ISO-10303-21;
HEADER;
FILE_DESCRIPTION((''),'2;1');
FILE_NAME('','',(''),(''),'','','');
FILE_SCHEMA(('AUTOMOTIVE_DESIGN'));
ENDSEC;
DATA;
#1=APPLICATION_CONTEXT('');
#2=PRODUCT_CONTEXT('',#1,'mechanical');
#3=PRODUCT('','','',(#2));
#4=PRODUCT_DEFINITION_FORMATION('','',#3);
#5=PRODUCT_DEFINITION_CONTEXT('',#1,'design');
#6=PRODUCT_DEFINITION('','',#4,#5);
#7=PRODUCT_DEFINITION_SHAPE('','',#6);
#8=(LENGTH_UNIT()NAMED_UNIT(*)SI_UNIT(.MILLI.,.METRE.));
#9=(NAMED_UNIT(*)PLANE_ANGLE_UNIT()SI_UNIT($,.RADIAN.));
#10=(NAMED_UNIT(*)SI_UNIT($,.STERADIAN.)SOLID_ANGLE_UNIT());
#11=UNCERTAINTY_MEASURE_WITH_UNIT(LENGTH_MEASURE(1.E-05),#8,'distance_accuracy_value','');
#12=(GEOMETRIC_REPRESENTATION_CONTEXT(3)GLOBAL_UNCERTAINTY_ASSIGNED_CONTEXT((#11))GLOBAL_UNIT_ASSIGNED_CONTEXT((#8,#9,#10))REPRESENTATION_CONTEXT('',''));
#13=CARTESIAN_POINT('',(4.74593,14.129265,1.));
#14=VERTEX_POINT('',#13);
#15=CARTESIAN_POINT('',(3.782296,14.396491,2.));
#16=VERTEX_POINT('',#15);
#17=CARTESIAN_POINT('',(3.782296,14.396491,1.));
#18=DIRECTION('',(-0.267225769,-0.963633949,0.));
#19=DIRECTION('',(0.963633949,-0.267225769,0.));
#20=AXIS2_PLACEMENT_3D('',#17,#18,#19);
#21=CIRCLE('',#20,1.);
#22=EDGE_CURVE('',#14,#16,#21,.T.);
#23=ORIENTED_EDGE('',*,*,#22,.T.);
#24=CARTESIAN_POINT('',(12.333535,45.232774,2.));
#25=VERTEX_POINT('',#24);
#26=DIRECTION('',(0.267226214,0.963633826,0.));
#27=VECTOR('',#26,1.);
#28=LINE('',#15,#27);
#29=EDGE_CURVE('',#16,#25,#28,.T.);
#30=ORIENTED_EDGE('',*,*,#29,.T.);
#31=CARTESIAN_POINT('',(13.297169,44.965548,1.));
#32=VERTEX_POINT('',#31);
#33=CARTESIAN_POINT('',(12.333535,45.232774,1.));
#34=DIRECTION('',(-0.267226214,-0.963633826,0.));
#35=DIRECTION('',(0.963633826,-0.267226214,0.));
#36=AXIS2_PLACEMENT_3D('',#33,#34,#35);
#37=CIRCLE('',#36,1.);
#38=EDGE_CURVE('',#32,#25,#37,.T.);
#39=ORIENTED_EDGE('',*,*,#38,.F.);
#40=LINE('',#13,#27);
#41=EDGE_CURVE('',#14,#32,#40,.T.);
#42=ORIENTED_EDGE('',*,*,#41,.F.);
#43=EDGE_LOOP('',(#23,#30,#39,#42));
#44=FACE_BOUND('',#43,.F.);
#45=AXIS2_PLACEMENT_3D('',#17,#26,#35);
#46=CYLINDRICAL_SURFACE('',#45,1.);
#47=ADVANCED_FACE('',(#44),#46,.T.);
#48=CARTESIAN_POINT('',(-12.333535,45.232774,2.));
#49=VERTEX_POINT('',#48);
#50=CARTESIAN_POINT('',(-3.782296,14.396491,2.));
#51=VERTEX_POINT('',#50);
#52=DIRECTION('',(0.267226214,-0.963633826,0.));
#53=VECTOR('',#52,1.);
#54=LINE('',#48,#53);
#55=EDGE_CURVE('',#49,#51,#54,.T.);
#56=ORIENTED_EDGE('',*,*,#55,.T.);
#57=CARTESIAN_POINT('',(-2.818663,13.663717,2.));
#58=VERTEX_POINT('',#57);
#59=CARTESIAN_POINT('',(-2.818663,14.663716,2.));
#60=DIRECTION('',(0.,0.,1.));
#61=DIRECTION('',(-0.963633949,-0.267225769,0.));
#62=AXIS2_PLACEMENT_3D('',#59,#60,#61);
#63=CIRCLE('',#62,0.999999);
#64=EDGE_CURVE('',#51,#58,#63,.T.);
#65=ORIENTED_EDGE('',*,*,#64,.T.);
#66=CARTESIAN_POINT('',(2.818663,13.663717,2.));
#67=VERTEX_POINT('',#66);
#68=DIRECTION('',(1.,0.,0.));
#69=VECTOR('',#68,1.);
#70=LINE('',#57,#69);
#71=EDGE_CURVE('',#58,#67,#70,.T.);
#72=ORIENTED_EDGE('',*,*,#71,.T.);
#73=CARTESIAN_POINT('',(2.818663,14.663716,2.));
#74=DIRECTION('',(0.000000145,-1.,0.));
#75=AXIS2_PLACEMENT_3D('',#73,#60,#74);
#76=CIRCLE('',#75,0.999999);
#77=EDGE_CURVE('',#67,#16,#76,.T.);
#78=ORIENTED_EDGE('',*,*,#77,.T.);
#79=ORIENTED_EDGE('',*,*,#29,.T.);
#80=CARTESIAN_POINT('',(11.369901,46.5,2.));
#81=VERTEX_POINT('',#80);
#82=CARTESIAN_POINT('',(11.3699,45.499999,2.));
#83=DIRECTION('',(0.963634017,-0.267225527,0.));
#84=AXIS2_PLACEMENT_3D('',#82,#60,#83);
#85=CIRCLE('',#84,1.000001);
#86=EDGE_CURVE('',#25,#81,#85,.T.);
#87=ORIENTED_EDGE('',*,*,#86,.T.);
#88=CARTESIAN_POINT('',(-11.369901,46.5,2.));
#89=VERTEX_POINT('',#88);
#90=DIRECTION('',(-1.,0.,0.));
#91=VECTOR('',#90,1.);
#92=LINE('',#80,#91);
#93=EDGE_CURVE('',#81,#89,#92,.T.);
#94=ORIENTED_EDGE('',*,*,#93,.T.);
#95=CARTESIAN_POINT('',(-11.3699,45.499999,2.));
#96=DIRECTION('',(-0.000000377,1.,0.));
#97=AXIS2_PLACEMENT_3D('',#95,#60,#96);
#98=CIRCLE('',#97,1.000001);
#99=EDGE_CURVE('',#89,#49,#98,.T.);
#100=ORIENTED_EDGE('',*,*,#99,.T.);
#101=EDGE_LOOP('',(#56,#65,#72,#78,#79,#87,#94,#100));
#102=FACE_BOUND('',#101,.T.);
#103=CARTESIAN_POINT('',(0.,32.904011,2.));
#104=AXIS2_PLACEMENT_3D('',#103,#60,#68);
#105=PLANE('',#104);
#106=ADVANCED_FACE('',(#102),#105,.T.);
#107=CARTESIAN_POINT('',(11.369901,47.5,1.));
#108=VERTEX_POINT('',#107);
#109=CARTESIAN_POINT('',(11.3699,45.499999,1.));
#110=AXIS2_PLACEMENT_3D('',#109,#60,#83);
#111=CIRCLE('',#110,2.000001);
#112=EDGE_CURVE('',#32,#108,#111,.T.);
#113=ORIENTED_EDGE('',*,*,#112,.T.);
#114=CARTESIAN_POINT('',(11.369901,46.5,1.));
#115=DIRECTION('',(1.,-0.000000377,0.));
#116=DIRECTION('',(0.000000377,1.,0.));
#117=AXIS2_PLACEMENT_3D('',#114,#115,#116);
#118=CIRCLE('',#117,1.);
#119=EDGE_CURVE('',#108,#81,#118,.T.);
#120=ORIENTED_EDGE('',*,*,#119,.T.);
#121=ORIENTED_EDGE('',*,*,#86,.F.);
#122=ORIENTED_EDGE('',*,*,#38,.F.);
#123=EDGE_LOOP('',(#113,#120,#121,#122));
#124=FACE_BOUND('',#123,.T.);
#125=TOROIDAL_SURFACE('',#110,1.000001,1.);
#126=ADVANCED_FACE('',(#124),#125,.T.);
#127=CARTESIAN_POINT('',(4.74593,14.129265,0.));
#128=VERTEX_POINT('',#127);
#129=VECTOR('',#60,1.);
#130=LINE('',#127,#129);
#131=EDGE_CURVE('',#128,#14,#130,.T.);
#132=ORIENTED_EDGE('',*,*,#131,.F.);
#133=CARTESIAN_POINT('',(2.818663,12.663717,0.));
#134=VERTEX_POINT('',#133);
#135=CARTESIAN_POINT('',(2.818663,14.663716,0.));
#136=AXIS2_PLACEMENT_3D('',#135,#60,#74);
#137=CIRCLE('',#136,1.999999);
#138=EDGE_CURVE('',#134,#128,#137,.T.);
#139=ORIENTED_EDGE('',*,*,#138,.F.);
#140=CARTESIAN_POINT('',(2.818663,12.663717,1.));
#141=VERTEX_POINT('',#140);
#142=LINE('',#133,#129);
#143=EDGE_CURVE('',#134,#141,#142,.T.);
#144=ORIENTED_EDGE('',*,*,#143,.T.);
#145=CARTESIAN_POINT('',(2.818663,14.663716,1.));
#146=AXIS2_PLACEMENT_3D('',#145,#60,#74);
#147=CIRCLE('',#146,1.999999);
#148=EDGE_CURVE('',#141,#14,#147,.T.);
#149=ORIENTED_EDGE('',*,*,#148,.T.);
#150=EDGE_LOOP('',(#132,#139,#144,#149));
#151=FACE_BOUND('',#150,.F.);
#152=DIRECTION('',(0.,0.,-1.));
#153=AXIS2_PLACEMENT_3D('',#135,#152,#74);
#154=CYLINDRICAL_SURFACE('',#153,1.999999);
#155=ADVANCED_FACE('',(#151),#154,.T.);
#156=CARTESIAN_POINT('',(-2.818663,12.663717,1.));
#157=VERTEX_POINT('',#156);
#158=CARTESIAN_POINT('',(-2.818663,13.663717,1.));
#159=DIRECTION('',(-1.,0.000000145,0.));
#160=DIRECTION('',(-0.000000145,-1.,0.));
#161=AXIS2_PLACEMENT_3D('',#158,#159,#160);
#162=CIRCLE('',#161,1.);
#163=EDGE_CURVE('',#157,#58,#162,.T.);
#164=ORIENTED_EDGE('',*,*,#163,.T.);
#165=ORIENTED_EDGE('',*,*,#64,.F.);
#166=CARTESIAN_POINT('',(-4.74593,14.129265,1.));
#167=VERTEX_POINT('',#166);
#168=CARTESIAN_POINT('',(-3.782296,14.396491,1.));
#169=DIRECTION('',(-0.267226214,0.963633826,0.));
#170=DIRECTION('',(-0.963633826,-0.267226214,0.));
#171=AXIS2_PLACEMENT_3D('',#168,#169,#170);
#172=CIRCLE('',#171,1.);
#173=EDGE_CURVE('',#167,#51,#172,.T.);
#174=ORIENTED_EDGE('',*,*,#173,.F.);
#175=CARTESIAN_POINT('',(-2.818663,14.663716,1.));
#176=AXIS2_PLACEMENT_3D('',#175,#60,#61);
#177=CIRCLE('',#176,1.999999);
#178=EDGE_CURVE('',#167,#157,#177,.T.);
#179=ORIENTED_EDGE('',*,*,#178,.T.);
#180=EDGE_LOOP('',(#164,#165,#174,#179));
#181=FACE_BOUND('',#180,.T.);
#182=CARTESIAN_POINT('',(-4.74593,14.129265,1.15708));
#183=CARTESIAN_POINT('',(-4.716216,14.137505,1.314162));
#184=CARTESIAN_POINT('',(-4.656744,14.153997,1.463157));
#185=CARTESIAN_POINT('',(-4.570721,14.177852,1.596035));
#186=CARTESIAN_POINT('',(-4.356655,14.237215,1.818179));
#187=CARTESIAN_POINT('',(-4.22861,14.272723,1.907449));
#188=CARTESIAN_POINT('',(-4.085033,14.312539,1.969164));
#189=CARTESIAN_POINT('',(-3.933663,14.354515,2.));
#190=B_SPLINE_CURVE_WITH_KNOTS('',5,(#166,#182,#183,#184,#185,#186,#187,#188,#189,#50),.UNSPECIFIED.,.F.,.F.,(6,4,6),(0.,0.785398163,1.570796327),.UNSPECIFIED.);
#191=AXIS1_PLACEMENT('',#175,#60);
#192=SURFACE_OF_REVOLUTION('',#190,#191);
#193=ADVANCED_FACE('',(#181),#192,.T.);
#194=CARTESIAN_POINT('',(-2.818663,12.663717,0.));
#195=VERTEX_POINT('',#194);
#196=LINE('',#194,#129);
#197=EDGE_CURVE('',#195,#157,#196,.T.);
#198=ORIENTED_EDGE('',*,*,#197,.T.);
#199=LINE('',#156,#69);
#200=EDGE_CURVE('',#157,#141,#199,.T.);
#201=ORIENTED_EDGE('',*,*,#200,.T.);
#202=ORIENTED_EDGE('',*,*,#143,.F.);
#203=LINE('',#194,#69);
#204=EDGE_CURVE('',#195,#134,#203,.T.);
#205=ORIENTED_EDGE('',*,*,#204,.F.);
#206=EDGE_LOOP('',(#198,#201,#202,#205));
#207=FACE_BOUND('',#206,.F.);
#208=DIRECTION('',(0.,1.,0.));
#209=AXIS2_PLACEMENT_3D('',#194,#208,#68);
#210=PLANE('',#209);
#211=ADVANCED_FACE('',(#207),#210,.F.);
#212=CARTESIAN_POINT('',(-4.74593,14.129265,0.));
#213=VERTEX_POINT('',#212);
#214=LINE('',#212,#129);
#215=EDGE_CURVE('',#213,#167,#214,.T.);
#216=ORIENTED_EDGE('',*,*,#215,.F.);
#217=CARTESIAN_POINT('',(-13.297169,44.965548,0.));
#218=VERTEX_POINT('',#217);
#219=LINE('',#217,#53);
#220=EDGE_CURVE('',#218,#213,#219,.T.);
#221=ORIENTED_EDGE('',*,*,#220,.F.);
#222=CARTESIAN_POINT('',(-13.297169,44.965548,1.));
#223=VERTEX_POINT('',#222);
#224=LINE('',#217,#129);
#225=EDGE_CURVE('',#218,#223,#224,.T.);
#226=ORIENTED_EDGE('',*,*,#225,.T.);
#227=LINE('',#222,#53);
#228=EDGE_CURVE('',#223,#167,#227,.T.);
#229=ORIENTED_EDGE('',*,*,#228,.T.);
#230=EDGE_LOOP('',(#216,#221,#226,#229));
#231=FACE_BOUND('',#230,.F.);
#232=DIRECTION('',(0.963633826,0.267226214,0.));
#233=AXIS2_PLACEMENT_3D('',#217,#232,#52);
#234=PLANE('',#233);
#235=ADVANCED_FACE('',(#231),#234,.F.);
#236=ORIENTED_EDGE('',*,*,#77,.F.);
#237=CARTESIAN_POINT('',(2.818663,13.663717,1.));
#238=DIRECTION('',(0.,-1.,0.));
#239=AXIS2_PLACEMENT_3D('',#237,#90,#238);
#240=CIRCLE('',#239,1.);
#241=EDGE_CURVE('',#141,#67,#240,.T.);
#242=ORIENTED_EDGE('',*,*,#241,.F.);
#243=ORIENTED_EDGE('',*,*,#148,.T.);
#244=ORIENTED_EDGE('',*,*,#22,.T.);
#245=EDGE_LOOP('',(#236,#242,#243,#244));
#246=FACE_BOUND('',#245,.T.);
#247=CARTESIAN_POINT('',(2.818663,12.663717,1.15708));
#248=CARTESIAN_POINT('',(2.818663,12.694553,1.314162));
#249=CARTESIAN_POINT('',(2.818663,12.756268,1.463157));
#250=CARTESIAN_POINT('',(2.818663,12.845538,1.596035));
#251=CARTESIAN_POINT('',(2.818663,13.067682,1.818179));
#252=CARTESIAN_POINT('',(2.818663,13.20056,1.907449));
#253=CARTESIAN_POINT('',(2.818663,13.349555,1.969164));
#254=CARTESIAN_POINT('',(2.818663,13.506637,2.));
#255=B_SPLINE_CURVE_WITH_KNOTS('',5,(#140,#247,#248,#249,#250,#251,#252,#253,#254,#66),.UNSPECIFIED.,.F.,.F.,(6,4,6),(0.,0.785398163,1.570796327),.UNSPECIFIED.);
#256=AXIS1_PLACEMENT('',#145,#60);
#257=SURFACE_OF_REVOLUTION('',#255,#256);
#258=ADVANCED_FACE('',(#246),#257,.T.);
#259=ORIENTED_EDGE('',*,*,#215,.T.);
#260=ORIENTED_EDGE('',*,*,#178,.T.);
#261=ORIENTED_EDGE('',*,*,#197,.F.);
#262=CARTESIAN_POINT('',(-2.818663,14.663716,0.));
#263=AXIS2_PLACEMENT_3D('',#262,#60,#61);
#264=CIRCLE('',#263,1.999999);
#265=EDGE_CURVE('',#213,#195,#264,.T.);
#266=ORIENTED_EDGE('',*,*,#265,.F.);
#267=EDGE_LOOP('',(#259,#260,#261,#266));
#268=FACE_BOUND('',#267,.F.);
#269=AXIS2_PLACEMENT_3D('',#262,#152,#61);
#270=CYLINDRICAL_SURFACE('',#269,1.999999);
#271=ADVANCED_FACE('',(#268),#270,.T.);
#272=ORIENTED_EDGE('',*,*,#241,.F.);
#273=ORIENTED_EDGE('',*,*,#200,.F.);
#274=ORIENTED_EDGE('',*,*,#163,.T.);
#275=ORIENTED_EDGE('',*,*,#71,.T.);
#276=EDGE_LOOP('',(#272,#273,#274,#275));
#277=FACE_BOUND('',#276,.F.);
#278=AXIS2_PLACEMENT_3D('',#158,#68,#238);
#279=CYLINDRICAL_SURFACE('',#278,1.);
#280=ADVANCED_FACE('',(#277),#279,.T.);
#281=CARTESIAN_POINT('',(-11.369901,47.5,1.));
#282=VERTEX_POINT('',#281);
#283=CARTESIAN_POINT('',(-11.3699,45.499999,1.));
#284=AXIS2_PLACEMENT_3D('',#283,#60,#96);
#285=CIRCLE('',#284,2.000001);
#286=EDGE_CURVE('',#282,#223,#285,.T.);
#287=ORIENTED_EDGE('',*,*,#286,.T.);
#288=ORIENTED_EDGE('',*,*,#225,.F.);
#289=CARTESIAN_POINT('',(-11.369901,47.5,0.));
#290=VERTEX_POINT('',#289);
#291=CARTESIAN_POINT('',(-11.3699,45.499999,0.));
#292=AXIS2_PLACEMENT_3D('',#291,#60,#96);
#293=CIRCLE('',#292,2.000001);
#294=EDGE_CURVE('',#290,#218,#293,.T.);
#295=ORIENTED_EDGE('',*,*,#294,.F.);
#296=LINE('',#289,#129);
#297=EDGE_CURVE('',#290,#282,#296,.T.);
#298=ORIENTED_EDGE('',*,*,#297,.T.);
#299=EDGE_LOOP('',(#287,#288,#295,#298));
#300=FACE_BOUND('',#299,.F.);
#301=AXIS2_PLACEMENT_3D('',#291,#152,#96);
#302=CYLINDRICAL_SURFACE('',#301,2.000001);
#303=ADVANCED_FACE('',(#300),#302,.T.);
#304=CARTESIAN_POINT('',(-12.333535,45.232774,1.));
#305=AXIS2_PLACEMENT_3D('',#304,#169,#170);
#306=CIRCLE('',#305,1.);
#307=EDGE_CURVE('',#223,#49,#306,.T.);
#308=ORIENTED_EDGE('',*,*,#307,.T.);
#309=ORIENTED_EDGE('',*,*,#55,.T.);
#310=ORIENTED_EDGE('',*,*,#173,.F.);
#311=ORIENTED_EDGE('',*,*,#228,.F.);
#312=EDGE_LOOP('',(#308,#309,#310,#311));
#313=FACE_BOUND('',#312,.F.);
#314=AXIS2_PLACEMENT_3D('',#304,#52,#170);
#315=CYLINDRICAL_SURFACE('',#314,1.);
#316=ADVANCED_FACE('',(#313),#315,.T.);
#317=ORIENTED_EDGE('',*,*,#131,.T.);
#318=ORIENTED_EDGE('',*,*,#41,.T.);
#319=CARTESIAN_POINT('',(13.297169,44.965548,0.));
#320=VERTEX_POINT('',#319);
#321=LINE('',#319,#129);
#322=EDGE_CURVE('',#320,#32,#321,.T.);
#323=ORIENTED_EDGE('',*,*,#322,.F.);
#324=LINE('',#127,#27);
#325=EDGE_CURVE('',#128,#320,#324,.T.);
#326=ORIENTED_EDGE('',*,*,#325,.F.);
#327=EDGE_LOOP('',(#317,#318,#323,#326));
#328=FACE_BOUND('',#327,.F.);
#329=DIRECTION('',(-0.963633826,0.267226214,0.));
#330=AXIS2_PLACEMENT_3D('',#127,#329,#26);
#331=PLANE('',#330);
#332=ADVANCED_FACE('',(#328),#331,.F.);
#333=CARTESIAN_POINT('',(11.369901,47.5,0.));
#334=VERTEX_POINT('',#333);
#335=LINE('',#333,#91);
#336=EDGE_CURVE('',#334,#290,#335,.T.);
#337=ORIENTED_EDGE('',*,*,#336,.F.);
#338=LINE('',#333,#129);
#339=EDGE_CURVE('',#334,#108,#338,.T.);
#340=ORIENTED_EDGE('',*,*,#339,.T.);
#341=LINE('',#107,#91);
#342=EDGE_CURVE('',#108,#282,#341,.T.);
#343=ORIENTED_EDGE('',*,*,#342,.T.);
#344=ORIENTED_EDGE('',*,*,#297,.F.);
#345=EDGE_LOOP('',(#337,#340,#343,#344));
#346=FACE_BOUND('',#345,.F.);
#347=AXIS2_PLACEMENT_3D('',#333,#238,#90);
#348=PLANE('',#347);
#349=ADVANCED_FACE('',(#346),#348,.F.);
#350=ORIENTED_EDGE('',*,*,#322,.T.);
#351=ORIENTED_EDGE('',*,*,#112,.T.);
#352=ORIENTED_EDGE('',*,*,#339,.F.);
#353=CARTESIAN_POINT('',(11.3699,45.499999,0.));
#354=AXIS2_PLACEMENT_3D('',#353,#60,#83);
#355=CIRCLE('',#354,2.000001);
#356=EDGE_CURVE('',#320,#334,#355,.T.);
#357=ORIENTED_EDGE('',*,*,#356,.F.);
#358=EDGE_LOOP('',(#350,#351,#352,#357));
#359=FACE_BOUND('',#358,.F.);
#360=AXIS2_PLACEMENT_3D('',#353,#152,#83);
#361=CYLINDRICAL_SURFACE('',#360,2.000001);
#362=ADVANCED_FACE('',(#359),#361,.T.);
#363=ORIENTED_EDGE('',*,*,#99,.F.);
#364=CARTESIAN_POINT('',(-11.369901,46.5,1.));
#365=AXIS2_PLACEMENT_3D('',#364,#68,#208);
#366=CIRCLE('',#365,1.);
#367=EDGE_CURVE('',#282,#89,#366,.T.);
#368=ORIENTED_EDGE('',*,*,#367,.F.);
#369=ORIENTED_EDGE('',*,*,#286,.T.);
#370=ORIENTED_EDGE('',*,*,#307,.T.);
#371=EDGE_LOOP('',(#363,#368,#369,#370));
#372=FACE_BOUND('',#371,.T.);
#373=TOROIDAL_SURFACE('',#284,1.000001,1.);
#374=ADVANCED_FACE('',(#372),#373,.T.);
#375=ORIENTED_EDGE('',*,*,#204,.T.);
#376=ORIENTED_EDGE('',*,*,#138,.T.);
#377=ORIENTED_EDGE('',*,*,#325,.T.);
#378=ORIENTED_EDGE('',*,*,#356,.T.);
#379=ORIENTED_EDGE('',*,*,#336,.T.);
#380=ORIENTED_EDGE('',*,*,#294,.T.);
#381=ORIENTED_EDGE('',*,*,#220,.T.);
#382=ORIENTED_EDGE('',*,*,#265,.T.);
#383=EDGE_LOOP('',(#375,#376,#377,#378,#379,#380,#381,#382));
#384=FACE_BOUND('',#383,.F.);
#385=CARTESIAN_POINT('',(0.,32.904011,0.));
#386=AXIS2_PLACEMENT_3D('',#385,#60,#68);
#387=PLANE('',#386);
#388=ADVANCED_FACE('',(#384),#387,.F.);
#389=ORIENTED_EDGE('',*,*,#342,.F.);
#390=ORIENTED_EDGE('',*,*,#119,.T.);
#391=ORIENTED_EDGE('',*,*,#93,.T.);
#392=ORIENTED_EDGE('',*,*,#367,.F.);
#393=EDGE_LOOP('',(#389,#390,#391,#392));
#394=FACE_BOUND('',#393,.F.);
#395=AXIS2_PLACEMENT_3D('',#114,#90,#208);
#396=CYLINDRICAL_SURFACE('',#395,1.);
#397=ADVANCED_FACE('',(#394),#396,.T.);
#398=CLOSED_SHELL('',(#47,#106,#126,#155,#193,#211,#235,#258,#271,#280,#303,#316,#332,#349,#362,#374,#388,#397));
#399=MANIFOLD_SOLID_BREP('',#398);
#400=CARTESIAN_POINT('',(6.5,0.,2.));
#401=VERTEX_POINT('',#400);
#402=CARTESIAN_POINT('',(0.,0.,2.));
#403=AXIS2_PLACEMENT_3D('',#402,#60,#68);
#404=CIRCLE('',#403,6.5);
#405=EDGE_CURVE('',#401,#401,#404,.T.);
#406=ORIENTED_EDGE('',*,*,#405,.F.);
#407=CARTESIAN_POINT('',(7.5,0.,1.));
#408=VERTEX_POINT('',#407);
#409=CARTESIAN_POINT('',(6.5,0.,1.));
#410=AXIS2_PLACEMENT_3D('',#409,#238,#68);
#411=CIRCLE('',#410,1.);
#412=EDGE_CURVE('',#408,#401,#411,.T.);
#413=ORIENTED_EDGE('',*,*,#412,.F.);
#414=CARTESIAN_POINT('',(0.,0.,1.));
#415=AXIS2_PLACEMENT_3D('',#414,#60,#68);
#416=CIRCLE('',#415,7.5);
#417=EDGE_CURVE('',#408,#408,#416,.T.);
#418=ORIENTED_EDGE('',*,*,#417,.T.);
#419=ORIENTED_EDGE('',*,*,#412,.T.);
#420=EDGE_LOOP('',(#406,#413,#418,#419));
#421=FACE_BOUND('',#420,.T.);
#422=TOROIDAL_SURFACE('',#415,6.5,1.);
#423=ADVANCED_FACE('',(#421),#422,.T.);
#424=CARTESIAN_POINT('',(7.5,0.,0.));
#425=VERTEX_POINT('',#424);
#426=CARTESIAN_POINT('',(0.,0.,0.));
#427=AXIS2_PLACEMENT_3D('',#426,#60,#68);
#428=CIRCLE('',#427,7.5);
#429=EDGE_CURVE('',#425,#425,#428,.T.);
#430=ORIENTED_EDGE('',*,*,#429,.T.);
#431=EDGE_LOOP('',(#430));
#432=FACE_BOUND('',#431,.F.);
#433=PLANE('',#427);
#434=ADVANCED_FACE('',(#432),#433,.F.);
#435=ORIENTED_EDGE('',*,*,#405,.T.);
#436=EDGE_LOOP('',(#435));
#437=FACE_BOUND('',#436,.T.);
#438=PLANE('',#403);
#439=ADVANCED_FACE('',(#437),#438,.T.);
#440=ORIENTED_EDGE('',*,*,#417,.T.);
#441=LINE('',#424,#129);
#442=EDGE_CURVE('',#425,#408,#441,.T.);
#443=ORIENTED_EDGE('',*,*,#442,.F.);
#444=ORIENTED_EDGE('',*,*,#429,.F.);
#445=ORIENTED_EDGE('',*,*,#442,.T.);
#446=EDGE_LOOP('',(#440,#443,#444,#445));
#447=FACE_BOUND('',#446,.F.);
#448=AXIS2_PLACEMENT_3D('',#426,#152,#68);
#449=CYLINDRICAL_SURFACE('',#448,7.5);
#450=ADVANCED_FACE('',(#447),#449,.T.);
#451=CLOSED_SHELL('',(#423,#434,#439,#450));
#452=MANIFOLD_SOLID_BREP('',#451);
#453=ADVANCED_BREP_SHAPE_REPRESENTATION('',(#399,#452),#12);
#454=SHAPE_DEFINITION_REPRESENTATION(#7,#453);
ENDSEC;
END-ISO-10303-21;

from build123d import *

# Parameters (mm, degrees)
F0_R     = 7.5
F1_DEPTH = 2
F2_R     = 1


with BuildPart() as f1:
    # F0 (on Top) → F1 (new body)
    with BuildSketch(Plane.XY):
        Circle(F0_R)
        with BuildLine():
            Line((11.369901, 47.5), (0, 47.5))
            Line((0, 47.5), (-11.369901, 47.5))
            ThreePointArc((-11.369901, 47.5), (-12.961897, 46.710598), (-13.297169, 44.965548))
            Line((-13.297169, 44.965548), (-4.74593, 14.129265))
            ThreePointArc((-4.74593, 14.129265), (-4.029261, 13.071721), (-2.818663, 12.663717))
            Line((-2.818663, 12.663717), (0, 12.663717))
            Line((0, 12.663717), (2.818663, 12.663717))
            ThreePointArc((2.818663, 12.663717), (4.029261, 13.071721), (4.74593, 14.129265))
            Line((4.74593, 14.129265), (13.297169, 44.965548))
            ThreePointArc((13.297169, 44.965548), (12.961897, 46.710598), (11.369901, 47.5))
        make_face()
    extrude(amount=F1_DEPTH)

    # F2
    f2_edges = [f1.edges().sort_by_distance(p)[0] for p in [
        (-9.021549, 29.547406, 2),
        (-7.5, 0, 2),
    ]]
    fillet(f2_edges, radius=F2_R)


solid = f1.part
